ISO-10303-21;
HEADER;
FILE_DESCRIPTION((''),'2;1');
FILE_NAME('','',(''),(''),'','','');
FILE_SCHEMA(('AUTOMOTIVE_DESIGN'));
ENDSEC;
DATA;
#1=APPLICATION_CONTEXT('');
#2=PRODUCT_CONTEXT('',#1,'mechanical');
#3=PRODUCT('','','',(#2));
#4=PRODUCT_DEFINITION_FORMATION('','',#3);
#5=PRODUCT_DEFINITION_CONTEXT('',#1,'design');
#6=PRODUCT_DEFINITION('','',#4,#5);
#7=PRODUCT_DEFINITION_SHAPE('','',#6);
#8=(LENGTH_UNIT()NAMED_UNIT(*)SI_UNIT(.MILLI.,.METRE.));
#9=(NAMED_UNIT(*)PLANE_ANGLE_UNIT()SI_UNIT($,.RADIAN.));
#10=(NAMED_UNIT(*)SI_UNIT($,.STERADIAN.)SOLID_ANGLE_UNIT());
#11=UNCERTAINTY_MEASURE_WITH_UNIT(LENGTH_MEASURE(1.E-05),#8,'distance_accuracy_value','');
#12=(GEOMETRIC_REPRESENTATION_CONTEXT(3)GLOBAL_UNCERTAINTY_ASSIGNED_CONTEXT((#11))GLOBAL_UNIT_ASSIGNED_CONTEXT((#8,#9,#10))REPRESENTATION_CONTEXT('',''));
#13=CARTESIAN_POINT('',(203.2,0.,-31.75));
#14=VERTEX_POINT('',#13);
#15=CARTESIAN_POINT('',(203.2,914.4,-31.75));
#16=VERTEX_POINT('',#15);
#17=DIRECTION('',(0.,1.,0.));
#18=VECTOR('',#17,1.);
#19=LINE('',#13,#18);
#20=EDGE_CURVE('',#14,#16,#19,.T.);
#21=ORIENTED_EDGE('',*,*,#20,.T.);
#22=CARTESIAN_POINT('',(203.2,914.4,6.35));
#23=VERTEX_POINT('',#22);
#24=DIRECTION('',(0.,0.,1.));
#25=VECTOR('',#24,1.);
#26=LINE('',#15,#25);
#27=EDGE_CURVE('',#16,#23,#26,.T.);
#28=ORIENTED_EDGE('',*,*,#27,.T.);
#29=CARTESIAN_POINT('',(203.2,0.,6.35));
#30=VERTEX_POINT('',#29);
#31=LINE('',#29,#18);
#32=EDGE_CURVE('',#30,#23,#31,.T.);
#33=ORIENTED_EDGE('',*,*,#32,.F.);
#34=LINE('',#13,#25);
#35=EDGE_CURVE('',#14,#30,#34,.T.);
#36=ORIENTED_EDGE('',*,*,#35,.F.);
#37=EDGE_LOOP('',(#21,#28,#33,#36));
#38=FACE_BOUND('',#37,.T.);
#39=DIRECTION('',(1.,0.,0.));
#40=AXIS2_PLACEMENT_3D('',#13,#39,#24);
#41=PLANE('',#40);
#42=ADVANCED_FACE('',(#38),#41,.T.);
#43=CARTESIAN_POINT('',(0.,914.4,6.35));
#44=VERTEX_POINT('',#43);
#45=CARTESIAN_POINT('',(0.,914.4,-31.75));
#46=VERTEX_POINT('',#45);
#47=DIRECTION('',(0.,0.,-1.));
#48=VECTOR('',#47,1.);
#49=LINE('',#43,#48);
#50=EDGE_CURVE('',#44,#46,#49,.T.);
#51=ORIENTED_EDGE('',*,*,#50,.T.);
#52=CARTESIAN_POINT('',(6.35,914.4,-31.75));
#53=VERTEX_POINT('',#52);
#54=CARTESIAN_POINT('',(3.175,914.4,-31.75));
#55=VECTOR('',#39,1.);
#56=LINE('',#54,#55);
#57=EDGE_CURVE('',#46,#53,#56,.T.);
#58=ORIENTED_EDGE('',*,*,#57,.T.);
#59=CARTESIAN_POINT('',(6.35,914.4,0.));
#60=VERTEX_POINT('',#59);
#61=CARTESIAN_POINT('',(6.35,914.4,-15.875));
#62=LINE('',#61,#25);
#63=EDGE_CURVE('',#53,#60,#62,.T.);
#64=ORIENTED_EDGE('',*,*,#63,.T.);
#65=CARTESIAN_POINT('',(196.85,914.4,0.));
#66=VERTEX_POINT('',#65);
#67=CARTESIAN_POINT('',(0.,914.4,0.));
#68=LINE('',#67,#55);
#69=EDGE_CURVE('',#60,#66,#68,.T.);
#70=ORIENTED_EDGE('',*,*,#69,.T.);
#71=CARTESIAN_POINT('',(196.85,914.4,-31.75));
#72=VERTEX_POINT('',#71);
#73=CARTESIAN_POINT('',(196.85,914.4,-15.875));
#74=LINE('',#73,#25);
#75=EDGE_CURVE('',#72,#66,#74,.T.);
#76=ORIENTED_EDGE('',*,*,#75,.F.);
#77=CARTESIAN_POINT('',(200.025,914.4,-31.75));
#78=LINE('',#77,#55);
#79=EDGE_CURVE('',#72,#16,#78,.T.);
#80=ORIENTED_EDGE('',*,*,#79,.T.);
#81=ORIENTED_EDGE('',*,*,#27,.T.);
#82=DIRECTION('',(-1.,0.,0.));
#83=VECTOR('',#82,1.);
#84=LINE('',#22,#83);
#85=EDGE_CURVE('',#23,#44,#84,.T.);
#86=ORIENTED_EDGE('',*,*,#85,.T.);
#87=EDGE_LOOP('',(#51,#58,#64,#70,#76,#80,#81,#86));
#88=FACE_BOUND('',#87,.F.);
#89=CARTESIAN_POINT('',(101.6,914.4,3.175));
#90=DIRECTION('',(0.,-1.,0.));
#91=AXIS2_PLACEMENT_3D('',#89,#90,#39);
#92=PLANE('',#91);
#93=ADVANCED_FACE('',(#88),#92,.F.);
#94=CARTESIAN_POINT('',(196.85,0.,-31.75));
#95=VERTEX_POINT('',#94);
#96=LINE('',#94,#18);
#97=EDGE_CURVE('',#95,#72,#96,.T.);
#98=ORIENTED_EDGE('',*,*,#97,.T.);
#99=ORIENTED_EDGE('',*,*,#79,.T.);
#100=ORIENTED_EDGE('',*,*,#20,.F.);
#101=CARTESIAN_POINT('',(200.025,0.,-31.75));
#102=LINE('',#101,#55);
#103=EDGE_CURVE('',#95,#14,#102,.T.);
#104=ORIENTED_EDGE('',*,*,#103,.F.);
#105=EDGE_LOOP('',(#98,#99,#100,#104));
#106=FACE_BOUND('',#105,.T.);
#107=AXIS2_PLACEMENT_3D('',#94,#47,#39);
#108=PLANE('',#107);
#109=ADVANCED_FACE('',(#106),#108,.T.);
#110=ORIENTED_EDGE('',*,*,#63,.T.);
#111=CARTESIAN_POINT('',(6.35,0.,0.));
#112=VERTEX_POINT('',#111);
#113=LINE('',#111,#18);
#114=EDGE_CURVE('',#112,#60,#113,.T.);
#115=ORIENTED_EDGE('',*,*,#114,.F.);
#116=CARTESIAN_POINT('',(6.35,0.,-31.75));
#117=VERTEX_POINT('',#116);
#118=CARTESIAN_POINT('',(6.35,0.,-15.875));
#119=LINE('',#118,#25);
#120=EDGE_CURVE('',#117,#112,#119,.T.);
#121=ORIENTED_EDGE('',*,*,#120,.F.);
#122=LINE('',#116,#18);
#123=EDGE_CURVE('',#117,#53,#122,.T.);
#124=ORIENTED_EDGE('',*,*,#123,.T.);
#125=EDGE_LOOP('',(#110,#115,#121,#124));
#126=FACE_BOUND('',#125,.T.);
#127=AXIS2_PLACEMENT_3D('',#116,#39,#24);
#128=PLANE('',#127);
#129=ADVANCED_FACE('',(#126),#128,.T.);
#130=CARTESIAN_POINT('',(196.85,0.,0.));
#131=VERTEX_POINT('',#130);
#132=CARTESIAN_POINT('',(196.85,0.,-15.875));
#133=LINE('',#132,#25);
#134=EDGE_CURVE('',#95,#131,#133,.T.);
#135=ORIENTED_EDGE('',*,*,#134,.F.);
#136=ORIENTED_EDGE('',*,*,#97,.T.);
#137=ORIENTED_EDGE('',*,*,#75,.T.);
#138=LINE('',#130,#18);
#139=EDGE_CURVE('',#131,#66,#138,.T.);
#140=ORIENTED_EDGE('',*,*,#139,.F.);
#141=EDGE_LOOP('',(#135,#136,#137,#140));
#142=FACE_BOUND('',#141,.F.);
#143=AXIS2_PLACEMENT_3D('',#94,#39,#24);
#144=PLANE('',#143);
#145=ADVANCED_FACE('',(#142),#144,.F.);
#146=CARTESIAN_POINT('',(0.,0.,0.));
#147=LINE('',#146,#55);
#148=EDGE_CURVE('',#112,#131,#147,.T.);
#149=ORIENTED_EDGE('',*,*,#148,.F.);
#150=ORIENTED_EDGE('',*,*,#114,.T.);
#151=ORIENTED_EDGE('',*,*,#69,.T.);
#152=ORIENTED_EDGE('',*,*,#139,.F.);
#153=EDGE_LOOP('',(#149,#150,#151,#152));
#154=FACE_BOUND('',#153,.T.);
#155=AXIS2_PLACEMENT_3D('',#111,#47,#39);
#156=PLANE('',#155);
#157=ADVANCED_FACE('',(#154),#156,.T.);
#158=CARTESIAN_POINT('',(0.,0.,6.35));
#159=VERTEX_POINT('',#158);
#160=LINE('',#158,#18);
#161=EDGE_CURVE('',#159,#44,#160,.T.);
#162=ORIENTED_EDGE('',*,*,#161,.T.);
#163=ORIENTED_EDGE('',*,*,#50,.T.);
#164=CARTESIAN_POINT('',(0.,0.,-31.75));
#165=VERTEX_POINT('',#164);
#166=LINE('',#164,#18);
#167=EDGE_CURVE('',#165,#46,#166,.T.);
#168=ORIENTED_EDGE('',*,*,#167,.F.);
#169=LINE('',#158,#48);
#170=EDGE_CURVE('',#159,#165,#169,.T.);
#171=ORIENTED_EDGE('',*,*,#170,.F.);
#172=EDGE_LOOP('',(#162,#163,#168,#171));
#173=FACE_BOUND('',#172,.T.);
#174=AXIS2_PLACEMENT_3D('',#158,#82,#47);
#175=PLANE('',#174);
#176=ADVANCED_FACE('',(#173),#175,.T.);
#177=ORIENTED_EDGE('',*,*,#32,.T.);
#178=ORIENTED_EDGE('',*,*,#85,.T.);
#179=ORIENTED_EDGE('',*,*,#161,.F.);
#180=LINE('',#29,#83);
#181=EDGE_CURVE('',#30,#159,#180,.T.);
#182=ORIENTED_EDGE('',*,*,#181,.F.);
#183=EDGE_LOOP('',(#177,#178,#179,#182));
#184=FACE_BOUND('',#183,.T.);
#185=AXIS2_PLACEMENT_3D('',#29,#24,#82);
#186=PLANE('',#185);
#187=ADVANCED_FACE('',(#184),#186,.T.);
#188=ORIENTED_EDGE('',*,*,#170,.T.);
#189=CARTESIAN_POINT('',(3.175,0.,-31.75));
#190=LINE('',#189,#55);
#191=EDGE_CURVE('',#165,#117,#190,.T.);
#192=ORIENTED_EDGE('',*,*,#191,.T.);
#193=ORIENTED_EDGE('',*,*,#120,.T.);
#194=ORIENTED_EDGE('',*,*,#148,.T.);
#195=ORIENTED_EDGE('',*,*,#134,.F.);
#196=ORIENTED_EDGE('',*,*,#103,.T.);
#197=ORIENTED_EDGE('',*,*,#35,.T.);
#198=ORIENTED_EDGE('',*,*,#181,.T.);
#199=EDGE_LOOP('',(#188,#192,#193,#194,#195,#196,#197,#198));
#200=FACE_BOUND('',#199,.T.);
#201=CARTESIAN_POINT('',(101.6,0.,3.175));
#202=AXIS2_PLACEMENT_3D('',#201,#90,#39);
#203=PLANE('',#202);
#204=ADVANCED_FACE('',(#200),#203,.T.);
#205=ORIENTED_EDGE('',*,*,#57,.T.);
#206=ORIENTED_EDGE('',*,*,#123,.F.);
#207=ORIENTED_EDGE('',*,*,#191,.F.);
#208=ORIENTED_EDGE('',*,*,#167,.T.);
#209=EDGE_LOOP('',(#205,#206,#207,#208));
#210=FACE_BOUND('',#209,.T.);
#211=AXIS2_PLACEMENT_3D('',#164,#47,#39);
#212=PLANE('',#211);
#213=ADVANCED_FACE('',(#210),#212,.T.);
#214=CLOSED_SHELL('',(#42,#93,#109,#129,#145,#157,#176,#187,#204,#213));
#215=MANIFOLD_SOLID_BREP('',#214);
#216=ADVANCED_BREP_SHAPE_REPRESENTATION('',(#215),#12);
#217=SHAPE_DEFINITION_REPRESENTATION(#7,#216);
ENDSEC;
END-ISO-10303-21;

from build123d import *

# Parameters (mm, degrees)
F0_W     = 6.35
F0_H     = 31.75
F1_DEPTH = 914.4


with BuildPart() as f1:
    # F0 (on Front) → F1 (new body)
    with BuildSketch(Plane.XZ):
        Polygon((0, 6.35), (0, 0), (6.35, 0), (196.85, 0), (203.2, 0), (203.2, 6.35), (104.775, 6.35), (98.425, 6.35), align=None)
        with Locations((3.175, -15.875)):
            Rectangle(F0_W, F0_H)
        with Locations((200.025, -15.875)):
            Rectangle(F0_W, F0_H)
    extrude(amount=-F1_DEPTH)


solid = f1.part
